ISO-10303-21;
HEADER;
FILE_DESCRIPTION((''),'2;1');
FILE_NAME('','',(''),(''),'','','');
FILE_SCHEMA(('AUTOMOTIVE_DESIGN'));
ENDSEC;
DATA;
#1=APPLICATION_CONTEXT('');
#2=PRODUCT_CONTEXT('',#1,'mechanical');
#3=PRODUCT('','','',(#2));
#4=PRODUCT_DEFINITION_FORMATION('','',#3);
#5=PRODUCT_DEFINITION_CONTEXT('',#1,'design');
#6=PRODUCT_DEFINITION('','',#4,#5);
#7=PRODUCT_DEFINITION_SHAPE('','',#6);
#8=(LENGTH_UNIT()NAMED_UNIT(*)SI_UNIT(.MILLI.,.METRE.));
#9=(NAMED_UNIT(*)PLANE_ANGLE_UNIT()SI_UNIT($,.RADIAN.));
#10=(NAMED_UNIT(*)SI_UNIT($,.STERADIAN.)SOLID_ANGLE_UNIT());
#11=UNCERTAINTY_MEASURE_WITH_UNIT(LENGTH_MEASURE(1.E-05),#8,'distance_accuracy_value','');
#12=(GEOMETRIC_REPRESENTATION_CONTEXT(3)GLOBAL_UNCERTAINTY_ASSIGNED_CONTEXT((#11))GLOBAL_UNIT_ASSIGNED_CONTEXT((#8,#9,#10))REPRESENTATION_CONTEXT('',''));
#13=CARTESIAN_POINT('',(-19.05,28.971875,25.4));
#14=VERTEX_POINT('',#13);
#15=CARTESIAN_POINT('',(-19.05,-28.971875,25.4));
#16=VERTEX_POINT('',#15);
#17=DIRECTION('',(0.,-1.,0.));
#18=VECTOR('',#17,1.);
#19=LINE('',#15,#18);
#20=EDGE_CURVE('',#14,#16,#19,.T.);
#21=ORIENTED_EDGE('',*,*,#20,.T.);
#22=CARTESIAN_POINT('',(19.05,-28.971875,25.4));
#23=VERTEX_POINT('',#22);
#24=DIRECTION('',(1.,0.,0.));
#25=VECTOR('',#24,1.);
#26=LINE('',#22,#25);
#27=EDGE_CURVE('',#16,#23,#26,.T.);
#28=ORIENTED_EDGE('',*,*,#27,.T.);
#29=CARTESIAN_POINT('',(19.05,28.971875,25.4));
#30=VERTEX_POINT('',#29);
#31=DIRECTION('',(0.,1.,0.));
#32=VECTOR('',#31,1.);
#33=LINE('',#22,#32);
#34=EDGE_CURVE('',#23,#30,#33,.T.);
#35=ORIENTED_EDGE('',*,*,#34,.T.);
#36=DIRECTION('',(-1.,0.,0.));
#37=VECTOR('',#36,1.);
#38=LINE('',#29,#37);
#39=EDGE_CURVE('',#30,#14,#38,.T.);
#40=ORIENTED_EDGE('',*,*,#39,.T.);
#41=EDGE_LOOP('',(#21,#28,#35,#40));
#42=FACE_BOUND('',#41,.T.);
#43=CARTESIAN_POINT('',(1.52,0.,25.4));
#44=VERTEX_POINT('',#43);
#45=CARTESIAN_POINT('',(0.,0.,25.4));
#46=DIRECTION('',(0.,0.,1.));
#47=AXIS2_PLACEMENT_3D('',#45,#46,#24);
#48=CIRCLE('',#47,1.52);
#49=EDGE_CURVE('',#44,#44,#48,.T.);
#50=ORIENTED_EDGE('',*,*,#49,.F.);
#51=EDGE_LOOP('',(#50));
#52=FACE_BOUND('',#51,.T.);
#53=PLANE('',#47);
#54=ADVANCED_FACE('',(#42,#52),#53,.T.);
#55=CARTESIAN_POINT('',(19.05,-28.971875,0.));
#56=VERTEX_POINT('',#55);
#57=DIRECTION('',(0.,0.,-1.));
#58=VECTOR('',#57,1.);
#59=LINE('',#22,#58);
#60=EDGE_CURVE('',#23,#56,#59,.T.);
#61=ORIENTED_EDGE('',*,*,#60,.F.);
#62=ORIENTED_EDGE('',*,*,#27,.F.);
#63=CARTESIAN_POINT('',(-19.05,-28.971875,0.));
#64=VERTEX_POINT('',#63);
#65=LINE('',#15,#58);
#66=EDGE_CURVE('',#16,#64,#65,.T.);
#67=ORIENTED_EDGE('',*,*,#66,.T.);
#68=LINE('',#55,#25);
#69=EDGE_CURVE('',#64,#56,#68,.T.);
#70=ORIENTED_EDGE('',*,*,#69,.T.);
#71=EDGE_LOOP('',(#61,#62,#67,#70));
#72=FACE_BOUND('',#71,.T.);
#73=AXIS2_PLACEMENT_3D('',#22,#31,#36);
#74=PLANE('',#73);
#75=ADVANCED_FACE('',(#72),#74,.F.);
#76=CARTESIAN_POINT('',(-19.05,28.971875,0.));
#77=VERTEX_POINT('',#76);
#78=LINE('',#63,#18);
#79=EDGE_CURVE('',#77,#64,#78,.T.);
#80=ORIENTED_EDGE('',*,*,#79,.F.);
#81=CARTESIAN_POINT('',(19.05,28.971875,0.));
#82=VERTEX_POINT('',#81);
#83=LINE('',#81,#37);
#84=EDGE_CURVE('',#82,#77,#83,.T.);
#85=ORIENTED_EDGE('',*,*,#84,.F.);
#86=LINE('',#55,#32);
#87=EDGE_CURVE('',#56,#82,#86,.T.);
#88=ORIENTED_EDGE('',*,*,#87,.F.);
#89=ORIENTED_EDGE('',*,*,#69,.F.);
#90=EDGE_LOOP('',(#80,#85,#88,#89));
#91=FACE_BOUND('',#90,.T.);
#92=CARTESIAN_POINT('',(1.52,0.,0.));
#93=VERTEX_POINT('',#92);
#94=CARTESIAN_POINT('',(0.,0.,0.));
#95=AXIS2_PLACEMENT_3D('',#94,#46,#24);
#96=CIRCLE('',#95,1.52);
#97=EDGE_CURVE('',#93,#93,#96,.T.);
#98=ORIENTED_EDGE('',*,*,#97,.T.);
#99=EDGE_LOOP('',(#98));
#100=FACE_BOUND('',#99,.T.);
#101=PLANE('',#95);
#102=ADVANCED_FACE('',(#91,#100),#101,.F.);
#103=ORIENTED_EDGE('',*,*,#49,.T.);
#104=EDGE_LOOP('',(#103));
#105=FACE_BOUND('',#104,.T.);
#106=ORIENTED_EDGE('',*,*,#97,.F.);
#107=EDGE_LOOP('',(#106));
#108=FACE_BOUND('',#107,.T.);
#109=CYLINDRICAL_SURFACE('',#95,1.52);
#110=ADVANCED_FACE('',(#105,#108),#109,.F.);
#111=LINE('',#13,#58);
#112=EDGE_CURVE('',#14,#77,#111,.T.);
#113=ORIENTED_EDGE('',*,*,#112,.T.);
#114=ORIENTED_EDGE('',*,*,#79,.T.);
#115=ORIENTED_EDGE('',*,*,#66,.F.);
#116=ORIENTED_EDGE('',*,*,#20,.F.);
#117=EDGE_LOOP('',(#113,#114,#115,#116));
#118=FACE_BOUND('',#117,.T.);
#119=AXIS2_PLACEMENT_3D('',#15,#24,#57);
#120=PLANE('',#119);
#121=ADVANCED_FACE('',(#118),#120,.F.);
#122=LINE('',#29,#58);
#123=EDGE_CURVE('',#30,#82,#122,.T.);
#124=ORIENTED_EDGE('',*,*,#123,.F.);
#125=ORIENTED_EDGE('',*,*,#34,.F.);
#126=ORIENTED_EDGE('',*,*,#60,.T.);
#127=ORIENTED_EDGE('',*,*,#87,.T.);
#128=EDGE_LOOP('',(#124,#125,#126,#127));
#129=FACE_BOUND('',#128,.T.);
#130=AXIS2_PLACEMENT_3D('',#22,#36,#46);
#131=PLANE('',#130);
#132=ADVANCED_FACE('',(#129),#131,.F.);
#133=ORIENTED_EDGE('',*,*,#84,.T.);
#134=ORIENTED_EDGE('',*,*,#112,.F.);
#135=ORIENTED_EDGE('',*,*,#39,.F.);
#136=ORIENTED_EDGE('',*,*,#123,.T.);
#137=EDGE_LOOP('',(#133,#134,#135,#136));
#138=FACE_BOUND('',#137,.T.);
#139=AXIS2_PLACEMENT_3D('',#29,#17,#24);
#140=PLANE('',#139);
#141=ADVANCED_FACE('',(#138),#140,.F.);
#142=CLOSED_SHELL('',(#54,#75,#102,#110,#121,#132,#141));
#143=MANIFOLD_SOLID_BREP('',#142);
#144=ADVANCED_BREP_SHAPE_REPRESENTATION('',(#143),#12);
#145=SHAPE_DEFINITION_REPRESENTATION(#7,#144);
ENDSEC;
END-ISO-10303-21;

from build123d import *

# Parameters (mm, degrees)
SKETCH2_W           = 38.1
SKETCH2_H           = 57.94375
BOSS_EXTRUDE1_DEPTH = 25.4
SKETCH3_R           = 1.52
CUT_EXTRUDE1_DEPTH  = 43.981764052


with BuildPart() as part:
    # Sketch2 → Boss-Extrude1 (new body)
    with BuildSketch(Plane.XY):
        Rectangle(SKETCH2_W, SKETCH2_H)
    extrude(amount=BOSS_EXTRUDE1_DEPTH)

    # Sketch3 → Cut-Extrude1 (cut, through all)
    with BuildSketch(Plane.XY.offset(25.4)):
        Circle(SKETCH3_R)
    extrude(amount=-CUT_EXTRUDE1_DEPTH, mode=Mode.SUBTRACT)


solid = part.part
